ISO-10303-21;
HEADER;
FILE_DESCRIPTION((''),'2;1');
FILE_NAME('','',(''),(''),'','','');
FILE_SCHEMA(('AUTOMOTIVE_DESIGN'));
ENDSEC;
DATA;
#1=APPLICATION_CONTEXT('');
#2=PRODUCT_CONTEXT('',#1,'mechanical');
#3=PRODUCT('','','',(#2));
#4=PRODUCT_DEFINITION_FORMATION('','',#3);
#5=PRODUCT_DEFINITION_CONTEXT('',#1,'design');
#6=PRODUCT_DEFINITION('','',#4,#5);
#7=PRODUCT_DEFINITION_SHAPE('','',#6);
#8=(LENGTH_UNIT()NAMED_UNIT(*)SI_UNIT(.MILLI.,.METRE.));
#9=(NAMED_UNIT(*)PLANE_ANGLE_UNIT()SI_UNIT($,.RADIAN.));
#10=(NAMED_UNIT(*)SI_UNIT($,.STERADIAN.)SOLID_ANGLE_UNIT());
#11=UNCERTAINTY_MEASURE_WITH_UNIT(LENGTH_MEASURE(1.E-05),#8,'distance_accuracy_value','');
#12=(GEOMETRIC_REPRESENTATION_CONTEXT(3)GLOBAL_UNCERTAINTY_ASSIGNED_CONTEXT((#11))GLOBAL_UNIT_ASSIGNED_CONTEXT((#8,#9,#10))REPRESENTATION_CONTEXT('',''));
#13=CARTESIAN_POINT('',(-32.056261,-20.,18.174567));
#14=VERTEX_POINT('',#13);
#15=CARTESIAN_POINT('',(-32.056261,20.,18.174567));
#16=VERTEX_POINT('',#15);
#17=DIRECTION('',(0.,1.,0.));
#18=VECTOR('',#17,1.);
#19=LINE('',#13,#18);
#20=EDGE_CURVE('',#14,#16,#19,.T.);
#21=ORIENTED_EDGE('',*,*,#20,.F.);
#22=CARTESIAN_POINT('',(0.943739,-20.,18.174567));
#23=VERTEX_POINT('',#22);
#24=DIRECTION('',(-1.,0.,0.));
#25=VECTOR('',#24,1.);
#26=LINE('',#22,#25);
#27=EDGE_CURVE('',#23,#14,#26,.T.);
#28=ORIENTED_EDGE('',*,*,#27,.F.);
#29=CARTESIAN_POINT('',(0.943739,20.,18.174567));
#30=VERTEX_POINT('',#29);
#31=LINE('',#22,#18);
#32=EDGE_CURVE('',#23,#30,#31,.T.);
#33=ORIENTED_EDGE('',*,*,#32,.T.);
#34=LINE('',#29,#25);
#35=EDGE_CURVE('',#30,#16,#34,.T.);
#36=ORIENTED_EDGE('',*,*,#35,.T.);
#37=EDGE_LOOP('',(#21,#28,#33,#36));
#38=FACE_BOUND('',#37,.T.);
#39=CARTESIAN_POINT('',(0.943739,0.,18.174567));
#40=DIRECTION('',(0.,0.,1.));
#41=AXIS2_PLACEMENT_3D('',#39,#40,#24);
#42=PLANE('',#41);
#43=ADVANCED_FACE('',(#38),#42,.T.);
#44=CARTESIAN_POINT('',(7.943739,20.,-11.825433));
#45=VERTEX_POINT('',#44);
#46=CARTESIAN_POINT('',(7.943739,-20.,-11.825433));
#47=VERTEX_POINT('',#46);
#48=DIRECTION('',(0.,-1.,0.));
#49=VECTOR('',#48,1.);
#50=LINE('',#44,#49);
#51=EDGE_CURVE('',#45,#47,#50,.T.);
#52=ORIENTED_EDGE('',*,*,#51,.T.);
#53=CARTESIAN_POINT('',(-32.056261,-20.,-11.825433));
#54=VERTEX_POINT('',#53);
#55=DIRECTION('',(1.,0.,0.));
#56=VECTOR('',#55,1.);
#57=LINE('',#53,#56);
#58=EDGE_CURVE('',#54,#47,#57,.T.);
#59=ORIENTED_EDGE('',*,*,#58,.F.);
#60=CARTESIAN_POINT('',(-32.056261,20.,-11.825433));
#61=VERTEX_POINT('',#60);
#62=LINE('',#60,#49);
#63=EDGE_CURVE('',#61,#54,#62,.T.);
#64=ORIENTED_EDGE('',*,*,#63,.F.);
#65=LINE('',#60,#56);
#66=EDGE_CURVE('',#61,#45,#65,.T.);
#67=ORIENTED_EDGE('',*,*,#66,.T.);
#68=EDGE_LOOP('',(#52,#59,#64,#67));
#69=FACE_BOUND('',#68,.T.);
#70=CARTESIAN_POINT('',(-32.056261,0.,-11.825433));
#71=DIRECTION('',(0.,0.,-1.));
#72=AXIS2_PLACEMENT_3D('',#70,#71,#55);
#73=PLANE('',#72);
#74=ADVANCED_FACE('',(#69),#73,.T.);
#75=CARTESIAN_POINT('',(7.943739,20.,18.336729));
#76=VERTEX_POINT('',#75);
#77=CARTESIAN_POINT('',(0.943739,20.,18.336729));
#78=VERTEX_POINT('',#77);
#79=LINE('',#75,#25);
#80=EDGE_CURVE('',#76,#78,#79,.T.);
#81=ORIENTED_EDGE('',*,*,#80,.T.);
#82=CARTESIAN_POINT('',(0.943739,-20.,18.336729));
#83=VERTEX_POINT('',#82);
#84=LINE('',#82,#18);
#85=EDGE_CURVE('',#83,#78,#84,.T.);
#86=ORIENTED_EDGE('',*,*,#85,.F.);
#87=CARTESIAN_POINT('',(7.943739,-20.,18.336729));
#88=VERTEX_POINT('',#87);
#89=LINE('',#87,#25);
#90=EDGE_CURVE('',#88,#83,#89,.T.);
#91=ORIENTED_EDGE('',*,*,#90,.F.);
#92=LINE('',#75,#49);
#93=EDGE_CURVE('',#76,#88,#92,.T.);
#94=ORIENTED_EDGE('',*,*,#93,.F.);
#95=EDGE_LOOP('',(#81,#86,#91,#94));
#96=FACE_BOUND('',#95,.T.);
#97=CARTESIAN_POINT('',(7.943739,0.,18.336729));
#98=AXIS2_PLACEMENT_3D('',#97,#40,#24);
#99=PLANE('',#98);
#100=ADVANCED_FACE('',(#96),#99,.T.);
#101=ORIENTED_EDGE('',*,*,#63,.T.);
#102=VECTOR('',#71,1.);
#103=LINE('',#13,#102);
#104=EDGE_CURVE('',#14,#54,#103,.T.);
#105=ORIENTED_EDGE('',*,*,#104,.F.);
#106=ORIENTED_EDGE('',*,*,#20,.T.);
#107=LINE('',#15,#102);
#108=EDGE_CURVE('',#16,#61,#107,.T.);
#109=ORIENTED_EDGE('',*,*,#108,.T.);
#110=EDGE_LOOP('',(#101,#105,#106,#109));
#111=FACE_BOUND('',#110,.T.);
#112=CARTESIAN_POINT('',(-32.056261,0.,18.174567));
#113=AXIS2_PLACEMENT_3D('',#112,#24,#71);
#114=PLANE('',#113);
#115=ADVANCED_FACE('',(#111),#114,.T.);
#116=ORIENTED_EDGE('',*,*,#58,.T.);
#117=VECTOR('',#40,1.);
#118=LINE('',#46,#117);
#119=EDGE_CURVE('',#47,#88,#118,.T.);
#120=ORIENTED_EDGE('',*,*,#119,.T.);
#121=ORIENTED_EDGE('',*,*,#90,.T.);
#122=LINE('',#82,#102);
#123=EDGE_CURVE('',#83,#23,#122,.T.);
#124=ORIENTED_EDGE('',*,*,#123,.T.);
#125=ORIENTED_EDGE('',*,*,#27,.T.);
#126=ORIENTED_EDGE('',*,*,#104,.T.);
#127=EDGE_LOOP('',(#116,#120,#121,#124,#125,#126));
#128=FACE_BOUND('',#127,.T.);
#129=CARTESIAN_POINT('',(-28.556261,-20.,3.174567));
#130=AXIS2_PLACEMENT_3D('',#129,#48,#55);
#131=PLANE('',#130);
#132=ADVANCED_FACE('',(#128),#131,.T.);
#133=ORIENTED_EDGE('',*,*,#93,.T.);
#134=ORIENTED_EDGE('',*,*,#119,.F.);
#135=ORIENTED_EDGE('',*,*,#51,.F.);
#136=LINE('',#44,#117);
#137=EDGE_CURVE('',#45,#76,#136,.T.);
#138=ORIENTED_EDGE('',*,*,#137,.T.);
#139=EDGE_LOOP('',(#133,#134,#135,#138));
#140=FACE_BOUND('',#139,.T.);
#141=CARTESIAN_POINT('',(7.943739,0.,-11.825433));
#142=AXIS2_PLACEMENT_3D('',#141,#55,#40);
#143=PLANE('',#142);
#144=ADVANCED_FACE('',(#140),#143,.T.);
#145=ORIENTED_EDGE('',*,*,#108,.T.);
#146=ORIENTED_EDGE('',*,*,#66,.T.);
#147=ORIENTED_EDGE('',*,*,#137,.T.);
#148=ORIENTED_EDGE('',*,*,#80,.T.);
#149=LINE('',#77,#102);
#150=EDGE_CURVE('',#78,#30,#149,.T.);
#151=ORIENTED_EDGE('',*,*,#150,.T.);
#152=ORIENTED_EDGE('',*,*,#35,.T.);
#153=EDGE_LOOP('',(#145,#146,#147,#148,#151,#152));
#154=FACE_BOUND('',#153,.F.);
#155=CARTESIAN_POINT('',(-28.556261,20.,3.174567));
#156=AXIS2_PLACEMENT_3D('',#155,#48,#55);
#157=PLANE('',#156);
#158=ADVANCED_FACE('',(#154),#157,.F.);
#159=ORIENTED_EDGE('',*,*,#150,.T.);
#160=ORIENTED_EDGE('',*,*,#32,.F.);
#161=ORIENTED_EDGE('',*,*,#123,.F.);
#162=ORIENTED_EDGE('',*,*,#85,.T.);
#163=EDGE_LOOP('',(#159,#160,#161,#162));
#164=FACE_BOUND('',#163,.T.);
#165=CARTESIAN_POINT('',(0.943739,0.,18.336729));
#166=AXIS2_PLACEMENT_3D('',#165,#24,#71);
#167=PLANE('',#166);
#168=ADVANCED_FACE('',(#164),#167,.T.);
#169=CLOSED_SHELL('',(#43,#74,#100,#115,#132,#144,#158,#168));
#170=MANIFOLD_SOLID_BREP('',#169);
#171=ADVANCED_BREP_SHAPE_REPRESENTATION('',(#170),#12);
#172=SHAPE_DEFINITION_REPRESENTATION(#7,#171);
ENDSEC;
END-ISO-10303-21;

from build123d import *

# Parameters (mm, degrees)
F0_W     = 26
F0_H     = 23
F0_H_2   = 7
F1_DEPTH = 20


with BuildPart() as f1:
    # F0 (on Front) → F1 (new body, symmetric)
    with BuildSketch(Plane.XZ):
        Polygon((-25.056261, 18.174567), (-32.056261, 18.174567), (-32.056261, -11.825433), (-25.056261, -11.825433), (-25.056261, -4.825433), align=None)
        with Locations((-12.056261, 6.674567)):
            Rectangle(F0_W, F0_H)
        with Locations((-12.056261, -8.325433)):
            Rectangle(F0_W, F0_H_2)
        Polygon((0.943739, 18.336729), (0.943739, 18.174567), (0.943739, -4.825433), (0.943739, -11.825433), (7.943739, -11.825433), (7.943739, 18.336729), align=None)
    extrude(amount=F1_DEPTH, both=True)


solid = f1.part
